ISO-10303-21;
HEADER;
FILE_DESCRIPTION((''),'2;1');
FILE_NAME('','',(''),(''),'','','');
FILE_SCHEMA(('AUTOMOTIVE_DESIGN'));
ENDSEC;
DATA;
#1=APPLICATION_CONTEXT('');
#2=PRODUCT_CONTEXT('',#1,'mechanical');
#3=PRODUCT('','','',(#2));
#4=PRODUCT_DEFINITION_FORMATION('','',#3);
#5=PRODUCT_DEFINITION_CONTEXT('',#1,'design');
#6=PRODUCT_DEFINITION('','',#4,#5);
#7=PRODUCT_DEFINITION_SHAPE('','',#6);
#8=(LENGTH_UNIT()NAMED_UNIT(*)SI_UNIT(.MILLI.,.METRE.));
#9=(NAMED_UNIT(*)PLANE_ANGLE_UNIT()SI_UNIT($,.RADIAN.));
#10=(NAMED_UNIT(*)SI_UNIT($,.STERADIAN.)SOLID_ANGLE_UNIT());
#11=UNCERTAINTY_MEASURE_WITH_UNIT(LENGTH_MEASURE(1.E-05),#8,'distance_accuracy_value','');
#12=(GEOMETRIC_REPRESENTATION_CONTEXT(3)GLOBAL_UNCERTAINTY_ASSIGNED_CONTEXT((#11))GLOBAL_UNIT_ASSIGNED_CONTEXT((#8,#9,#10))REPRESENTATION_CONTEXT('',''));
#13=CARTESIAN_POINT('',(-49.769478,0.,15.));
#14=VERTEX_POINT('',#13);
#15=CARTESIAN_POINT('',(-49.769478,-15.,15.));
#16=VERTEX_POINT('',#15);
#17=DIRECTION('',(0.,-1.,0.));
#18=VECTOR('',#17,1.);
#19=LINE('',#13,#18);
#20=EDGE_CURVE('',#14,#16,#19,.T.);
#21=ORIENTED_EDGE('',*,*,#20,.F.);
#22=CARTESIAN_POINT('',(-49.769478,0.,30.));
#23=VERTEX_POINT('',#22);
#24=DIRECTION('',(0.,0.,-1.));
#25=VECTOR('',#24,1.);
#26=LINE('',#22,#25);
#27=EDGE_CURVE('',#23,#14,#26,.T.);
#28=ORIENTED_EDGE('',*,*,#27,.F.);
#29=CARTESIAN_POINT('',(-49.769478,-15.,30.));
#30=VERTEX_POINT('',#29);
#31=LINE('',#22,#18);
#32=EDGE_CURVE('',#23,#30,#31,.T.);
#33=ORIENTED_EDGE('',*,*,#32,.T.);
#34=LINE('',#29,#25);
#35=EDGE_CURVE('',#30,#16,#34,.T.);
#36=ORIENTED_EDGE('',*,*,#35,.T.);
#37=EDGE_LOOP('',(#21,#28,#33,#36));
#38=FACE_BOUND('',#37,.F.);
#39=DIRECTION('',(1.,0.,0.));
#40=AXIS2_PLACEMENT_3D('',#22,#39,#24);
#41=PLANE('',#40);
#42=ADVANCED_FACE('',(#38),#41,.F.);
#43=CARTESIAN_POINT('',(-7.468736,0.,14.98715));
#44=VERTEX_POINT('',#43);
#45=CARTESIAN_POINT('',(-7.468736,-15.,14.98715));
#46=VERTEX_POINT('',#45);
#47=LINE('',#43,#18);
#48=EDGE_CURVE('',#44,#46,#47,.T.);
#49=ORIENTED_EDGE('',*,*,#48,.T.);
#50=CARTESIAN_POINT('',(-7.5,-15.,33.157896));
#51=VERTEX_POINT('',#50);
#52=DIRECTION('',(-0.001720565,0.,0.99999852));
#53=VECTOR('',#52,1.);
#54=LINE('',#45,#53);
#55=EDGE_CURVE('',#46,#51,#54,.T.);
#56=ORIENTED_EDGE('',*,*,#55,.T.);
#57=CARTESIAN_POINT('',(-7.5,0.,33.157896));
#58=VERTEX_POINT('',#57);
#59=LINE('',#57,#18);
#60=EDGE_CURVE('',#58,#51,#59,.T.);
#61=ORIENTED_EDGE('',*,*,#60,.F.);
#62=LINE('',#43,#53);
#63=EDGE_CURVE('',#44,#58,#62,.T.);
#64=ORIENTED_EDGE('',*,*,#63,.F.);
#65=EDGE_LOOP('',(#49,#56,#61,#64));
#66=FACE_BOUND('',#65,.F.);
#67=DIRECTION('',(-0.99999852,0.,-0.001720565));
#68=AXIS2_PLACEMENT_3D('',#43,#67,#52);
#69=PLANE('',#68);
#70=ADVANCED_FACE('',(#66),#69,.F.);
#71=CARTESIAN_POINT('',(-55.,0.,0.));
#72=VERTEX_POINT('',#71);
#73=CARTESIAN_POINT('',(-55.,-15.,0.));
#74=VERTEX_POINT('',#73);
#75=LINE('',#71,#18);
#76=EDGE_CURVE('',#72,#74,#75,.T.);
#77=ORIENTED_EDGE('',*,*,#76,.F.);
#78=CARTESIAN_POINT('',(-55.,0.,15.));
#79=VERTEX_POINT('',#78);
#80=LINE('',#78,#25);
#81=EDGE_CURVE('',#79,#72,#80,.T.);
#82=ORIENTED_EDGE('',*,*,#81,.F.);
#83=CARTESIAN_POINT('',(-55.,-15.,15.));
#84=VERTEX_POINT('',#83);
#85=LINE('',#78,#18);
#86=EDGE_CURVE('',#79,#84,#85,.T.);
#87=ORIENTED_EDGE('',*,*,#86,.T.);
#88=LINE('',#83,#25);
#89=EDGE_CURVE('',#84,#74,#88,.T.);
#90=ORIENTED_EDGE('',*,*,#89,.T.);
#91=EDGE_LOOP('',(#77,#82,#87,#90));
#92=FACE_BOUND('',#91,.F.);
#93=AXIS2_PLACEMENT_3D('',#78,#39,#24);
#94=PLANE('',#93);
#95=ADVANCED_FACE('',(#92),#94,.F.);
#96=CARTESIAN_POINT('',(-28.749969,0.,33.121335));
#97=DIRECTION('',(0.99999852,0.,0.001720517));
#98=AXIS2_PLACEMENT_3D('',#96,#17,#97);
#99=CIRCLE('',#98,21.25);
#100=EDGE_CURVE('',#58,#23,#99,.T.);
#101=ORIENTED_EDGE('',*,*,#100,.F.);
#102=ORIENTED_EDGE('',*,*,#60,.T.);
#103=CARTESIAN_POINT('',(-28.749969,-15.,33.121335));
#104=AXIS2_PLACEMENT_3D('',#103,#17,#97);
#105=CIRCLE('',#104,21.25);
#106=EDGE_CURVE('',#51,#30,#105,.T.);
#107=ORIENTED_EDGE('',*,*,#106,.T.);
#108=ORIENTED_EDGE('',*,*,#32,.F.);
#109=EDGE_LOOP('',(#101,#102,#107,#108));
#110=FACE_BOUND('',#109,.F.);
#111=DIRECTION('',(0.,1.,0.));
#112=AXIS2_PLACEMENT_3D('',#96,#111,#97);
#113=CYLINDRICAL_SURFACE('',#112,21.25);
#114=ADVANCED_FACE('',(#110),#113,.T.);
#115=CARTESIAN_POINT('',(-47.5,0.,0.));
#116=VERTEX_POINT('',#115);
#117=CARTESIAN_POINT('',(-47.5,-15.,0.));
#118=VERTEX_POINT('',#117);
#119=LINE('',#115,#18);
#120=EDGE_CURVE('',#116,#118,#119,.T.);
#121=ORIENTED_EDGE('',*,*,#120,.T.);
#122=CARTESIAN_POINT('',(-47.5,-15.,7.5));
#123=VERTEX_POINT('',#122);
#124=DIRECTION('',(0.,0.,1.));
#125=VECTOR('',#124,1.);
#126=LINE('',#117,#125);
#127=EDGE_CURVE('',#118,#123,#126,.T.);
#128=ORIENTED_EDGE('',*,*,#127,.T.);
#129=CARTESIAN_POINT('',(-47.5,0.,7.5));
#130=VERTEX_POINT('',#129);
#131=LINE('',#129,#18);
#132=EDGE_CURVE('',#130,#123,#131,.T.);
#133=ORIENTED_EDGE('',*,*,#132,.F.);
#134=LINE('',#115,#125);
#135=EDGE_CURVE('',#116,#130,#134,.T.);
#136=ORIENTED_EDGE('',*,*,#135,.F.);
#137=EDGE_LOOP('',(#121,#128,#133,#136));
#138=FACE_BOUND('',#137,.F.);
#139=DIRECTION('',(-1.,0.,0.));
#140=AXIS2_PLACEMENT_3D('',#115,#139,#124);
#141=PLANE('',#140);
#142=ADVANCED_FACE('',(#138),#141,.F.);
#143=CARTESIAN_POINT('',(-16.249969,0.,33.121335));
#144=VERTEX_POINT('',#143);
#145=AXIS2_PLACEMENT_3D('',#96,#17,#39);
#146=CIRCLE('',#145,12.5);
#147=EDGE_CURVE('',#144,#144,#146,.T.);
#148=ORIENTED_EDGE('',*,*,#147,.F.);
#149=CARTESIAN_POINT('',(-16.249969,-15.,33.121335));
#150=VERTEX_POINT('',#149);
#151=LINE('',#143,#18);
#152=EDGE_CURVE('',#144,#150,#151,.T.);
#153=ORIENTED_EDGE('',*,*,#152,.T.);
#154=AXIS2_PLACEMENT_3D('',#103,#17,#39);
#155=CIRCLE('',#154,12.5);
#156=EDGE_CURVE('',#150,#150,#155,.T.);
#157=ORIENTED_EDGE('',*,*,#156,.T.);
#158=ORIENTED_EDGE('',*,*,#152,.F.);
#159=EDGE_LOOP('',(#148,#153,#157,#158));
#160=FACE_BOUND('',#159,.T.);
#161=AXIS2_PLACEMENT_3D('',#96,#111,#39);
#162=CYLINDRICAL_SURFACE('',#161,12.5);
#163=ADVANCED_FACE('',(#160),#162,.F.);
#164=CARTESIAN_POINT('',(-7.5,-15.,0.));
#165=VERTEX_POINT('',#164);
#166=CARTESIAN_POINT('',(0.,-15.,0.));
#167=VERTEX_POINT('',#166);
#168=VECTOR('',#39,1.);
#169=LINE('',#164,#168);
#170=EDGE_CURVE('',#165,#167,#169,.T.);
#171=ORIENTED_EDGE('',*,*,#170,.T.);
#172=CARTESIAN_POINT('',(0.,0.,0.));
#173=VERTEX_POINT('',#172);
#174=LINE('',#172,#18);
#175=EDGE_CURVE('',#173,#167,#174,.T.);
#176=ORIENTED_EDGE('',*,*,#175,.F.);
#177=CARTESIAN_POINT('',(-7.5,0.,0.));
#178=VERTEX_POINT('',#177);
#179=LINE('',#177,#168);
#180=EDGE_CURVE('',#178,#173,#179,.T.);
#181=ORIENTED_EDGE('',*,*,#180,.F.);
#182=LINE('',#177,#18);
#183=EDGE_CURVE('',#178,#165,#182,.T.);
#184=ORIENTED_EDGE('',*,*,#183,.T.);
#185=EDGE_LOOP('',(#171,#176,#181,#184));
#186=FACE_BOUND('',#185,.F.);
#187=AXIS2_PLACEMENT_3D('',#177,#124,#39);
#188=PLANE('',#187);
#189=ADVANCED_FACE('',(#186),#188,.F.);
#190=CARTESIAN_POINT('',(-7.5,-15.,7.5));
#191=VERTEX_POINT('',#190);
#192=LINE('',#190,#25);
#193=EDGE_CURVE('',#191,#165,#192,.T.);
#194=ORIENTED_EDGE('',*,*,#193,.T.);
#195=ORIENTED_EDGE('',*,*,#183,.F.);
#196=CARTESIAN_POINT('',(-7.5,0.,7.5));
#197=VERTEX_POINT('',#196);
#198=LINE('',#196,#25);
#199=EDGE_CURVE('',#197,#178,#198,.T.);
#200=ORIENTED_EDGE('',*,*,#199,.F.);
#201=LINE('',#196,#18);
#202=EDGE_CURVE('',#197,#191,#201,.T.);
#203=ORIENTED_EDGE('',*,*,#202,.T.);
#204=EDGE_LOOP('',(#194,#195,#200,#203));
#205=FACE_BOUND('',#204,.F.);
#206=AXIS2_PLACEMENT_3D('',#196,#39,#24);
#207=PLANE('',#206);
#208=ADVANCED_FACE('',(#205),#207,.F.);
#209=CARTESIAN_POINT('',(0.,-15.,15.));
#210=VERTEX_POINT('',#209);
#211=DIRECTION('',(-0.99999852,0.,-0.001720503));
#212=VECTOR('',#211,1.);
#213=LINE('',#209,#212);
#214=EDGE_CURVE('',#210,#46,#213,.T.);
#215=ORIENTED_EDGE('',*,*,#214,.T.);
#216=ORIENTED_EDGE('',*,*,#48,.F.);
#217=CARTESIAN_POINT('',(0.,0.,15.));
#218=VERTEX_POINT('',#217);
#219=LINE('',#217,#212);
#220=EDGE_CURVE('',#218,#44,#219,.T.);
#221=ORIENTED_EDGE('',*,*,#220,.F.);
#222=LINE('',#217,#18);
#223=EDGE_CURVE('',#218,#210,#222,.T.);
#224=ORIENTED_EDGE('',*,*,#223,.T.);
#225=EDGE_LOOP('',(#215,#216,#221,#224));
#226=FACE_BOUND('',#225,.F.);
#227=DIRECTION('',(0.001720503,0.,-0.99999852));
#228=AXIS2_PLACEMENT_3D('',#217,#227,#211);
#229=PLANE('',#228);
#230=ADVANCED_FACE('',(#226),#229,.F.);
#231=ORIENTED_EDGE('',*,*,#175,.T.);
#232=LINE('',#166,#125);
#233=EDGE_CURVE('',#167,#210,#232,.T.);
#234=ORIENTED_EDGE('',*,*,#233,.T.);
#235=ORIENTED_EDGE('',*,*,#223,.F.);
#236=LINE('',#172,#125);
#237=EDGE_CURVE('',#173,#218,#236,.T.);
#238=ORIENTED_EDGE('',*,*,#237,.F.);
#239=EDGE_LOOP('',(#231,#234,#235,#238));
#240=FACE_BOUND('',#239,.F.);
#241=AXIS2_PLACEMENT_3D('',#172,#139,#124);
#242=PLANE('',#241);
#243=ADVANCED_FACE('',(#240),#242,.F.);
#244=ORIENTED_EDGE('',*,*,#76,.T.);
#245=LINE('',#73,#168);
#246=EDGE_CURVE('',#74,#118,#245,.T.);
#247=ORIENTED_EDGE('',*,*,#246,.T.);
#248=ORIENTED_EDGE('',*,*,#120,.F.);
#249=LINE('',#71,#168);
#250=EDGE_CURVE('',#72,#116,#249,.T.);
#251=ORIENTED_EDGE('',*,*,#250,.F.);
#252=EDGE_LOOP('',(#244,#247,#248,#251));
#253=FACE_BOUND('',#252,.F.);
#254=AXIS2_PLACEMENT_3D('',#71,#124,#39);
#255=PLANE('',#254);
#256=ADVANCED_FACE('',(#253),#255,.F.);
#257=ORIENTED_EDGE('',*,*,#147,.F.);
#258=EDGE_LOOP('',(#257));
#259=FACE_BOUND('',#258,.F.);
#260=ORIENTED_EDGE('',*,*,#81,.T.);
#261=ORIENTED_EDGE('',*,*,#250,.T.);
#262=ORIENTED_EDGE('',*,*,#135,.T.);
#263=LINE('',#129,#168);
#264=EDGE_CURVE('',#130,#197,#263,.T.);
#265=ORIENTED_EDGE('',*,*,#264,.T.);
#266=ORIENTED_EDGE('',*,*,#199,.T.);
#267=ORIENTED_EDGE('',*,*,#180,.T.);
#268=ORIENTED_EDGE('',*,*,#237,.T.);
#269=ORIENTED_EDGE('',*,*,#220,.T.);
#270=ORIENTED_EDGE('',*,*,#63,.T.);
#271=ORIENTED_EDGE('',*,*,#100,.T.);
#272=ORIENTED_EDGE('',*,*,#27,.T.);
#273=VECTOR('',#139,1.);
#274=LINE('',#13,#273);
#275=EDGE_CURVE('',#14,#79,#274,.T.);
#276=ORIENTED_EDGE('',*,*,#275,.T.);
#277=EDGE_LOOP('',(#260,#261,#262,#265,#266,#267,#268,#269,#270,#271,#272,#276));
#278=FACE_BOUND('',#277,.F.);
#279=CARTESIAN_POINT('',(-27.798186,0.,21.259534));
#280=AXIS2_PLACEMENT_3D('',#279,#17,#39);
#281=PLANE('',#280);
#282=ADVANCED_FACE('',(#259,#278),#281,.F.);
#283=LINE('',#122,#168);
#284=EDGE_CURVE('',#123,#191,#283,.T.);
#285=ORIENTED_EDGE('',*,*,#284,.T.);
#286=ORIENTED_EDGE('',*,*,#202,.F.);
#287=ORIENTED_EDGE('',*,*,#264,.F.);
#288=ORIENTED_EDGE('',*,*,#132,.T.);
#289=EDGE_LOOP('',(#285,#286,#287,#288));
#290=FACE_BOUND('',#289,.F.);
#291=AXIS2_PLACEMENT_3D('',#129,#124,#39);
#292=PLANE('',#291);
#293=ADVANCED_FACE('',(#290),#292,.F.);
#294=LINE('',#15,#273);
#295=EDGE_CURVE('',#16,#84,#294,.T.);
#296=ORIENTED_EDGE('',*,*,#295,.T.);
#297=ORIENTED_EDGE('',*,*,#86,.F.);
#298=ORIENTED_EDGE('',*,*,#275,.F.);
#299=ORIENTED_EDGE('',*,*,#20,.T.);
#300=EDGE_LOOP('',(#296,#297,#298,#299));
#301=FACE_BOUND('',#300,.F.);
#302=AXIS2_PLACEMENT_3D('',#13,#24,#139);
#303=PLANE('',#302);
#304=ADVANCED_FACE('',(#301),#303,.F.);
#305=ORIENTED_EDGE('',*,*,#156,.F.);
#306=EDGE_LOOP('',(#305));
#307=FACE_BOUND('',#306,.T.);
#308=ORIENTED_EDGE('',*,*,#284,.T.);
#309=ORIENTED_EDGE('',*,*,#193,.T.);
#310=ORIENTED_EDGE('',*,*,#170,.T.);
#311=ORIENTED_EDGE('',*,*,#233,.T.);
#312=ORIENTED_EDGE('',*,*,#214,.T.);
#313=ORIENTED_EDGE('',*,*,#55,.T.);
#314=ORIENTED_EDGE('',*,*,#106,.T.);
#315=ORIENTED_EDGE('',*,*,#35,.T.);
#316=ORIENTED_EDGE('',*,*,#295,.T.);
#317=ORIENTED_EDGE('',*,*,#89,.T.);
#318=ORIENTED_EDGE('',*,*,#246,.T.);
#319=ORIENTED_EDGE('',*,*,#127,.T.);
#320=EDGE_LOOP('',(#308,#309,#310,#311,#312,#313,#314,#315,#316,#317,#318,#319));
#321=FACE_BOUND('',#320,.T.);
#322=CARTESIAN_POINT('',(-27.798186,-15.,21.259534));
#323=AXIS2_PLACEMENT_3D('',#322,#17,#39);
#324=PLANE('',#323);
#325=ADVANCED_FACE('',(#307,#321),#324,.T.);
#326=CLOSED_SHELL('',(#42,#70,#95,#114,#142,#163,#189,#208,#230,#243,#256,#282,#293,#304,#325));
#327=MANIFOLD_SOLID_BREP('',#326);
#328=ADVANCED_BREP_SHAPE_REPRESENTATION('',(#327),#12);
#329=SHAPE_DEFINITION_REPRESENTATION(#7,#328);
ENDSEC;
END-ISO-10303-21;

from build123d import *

# Parameters (mm, degrees)
F0_R     = 12.5
F1_DEPTH = 15


with BuildPart() as f1:
    # F0 (on Front) → F1 (new body)
    with BuildSketch(Plane.XZ):
        with BuildLine():
            Line((-7.5, 0), (0, 0))
            Line((0, 0), (0, 15))
            Line((0, 15), (-7.468736, 14.98715))
            Line((-7.468736, 14.98715), (-7.5, 33.157896))
            ThreePointArc((-7.5, 33.157896), (-30.333116, 54.31228), (-49.769478, 30))
            Line((-49.769478, 30), (-49.769478, 15))
            Line((-49.769478, 15), (-55, 15))
            Line((-55, 15), (-55, 0))
            Line((-55, 0), (-47.5, 0))
            Line((-47.5, 0), (-47.5, 7.5))
            Line((-47.5, 7.5), (-7.5, 7.5))
            Line((-7.5, 7.5), (-7.5, 0))
        make_face()
        with Locations((-28.749969, 33.121335)):
            Circle(F0_R, mode=Mode.SUBTRACT)
    extrude(amount=F1_DEPTH)


solid = f1.part
